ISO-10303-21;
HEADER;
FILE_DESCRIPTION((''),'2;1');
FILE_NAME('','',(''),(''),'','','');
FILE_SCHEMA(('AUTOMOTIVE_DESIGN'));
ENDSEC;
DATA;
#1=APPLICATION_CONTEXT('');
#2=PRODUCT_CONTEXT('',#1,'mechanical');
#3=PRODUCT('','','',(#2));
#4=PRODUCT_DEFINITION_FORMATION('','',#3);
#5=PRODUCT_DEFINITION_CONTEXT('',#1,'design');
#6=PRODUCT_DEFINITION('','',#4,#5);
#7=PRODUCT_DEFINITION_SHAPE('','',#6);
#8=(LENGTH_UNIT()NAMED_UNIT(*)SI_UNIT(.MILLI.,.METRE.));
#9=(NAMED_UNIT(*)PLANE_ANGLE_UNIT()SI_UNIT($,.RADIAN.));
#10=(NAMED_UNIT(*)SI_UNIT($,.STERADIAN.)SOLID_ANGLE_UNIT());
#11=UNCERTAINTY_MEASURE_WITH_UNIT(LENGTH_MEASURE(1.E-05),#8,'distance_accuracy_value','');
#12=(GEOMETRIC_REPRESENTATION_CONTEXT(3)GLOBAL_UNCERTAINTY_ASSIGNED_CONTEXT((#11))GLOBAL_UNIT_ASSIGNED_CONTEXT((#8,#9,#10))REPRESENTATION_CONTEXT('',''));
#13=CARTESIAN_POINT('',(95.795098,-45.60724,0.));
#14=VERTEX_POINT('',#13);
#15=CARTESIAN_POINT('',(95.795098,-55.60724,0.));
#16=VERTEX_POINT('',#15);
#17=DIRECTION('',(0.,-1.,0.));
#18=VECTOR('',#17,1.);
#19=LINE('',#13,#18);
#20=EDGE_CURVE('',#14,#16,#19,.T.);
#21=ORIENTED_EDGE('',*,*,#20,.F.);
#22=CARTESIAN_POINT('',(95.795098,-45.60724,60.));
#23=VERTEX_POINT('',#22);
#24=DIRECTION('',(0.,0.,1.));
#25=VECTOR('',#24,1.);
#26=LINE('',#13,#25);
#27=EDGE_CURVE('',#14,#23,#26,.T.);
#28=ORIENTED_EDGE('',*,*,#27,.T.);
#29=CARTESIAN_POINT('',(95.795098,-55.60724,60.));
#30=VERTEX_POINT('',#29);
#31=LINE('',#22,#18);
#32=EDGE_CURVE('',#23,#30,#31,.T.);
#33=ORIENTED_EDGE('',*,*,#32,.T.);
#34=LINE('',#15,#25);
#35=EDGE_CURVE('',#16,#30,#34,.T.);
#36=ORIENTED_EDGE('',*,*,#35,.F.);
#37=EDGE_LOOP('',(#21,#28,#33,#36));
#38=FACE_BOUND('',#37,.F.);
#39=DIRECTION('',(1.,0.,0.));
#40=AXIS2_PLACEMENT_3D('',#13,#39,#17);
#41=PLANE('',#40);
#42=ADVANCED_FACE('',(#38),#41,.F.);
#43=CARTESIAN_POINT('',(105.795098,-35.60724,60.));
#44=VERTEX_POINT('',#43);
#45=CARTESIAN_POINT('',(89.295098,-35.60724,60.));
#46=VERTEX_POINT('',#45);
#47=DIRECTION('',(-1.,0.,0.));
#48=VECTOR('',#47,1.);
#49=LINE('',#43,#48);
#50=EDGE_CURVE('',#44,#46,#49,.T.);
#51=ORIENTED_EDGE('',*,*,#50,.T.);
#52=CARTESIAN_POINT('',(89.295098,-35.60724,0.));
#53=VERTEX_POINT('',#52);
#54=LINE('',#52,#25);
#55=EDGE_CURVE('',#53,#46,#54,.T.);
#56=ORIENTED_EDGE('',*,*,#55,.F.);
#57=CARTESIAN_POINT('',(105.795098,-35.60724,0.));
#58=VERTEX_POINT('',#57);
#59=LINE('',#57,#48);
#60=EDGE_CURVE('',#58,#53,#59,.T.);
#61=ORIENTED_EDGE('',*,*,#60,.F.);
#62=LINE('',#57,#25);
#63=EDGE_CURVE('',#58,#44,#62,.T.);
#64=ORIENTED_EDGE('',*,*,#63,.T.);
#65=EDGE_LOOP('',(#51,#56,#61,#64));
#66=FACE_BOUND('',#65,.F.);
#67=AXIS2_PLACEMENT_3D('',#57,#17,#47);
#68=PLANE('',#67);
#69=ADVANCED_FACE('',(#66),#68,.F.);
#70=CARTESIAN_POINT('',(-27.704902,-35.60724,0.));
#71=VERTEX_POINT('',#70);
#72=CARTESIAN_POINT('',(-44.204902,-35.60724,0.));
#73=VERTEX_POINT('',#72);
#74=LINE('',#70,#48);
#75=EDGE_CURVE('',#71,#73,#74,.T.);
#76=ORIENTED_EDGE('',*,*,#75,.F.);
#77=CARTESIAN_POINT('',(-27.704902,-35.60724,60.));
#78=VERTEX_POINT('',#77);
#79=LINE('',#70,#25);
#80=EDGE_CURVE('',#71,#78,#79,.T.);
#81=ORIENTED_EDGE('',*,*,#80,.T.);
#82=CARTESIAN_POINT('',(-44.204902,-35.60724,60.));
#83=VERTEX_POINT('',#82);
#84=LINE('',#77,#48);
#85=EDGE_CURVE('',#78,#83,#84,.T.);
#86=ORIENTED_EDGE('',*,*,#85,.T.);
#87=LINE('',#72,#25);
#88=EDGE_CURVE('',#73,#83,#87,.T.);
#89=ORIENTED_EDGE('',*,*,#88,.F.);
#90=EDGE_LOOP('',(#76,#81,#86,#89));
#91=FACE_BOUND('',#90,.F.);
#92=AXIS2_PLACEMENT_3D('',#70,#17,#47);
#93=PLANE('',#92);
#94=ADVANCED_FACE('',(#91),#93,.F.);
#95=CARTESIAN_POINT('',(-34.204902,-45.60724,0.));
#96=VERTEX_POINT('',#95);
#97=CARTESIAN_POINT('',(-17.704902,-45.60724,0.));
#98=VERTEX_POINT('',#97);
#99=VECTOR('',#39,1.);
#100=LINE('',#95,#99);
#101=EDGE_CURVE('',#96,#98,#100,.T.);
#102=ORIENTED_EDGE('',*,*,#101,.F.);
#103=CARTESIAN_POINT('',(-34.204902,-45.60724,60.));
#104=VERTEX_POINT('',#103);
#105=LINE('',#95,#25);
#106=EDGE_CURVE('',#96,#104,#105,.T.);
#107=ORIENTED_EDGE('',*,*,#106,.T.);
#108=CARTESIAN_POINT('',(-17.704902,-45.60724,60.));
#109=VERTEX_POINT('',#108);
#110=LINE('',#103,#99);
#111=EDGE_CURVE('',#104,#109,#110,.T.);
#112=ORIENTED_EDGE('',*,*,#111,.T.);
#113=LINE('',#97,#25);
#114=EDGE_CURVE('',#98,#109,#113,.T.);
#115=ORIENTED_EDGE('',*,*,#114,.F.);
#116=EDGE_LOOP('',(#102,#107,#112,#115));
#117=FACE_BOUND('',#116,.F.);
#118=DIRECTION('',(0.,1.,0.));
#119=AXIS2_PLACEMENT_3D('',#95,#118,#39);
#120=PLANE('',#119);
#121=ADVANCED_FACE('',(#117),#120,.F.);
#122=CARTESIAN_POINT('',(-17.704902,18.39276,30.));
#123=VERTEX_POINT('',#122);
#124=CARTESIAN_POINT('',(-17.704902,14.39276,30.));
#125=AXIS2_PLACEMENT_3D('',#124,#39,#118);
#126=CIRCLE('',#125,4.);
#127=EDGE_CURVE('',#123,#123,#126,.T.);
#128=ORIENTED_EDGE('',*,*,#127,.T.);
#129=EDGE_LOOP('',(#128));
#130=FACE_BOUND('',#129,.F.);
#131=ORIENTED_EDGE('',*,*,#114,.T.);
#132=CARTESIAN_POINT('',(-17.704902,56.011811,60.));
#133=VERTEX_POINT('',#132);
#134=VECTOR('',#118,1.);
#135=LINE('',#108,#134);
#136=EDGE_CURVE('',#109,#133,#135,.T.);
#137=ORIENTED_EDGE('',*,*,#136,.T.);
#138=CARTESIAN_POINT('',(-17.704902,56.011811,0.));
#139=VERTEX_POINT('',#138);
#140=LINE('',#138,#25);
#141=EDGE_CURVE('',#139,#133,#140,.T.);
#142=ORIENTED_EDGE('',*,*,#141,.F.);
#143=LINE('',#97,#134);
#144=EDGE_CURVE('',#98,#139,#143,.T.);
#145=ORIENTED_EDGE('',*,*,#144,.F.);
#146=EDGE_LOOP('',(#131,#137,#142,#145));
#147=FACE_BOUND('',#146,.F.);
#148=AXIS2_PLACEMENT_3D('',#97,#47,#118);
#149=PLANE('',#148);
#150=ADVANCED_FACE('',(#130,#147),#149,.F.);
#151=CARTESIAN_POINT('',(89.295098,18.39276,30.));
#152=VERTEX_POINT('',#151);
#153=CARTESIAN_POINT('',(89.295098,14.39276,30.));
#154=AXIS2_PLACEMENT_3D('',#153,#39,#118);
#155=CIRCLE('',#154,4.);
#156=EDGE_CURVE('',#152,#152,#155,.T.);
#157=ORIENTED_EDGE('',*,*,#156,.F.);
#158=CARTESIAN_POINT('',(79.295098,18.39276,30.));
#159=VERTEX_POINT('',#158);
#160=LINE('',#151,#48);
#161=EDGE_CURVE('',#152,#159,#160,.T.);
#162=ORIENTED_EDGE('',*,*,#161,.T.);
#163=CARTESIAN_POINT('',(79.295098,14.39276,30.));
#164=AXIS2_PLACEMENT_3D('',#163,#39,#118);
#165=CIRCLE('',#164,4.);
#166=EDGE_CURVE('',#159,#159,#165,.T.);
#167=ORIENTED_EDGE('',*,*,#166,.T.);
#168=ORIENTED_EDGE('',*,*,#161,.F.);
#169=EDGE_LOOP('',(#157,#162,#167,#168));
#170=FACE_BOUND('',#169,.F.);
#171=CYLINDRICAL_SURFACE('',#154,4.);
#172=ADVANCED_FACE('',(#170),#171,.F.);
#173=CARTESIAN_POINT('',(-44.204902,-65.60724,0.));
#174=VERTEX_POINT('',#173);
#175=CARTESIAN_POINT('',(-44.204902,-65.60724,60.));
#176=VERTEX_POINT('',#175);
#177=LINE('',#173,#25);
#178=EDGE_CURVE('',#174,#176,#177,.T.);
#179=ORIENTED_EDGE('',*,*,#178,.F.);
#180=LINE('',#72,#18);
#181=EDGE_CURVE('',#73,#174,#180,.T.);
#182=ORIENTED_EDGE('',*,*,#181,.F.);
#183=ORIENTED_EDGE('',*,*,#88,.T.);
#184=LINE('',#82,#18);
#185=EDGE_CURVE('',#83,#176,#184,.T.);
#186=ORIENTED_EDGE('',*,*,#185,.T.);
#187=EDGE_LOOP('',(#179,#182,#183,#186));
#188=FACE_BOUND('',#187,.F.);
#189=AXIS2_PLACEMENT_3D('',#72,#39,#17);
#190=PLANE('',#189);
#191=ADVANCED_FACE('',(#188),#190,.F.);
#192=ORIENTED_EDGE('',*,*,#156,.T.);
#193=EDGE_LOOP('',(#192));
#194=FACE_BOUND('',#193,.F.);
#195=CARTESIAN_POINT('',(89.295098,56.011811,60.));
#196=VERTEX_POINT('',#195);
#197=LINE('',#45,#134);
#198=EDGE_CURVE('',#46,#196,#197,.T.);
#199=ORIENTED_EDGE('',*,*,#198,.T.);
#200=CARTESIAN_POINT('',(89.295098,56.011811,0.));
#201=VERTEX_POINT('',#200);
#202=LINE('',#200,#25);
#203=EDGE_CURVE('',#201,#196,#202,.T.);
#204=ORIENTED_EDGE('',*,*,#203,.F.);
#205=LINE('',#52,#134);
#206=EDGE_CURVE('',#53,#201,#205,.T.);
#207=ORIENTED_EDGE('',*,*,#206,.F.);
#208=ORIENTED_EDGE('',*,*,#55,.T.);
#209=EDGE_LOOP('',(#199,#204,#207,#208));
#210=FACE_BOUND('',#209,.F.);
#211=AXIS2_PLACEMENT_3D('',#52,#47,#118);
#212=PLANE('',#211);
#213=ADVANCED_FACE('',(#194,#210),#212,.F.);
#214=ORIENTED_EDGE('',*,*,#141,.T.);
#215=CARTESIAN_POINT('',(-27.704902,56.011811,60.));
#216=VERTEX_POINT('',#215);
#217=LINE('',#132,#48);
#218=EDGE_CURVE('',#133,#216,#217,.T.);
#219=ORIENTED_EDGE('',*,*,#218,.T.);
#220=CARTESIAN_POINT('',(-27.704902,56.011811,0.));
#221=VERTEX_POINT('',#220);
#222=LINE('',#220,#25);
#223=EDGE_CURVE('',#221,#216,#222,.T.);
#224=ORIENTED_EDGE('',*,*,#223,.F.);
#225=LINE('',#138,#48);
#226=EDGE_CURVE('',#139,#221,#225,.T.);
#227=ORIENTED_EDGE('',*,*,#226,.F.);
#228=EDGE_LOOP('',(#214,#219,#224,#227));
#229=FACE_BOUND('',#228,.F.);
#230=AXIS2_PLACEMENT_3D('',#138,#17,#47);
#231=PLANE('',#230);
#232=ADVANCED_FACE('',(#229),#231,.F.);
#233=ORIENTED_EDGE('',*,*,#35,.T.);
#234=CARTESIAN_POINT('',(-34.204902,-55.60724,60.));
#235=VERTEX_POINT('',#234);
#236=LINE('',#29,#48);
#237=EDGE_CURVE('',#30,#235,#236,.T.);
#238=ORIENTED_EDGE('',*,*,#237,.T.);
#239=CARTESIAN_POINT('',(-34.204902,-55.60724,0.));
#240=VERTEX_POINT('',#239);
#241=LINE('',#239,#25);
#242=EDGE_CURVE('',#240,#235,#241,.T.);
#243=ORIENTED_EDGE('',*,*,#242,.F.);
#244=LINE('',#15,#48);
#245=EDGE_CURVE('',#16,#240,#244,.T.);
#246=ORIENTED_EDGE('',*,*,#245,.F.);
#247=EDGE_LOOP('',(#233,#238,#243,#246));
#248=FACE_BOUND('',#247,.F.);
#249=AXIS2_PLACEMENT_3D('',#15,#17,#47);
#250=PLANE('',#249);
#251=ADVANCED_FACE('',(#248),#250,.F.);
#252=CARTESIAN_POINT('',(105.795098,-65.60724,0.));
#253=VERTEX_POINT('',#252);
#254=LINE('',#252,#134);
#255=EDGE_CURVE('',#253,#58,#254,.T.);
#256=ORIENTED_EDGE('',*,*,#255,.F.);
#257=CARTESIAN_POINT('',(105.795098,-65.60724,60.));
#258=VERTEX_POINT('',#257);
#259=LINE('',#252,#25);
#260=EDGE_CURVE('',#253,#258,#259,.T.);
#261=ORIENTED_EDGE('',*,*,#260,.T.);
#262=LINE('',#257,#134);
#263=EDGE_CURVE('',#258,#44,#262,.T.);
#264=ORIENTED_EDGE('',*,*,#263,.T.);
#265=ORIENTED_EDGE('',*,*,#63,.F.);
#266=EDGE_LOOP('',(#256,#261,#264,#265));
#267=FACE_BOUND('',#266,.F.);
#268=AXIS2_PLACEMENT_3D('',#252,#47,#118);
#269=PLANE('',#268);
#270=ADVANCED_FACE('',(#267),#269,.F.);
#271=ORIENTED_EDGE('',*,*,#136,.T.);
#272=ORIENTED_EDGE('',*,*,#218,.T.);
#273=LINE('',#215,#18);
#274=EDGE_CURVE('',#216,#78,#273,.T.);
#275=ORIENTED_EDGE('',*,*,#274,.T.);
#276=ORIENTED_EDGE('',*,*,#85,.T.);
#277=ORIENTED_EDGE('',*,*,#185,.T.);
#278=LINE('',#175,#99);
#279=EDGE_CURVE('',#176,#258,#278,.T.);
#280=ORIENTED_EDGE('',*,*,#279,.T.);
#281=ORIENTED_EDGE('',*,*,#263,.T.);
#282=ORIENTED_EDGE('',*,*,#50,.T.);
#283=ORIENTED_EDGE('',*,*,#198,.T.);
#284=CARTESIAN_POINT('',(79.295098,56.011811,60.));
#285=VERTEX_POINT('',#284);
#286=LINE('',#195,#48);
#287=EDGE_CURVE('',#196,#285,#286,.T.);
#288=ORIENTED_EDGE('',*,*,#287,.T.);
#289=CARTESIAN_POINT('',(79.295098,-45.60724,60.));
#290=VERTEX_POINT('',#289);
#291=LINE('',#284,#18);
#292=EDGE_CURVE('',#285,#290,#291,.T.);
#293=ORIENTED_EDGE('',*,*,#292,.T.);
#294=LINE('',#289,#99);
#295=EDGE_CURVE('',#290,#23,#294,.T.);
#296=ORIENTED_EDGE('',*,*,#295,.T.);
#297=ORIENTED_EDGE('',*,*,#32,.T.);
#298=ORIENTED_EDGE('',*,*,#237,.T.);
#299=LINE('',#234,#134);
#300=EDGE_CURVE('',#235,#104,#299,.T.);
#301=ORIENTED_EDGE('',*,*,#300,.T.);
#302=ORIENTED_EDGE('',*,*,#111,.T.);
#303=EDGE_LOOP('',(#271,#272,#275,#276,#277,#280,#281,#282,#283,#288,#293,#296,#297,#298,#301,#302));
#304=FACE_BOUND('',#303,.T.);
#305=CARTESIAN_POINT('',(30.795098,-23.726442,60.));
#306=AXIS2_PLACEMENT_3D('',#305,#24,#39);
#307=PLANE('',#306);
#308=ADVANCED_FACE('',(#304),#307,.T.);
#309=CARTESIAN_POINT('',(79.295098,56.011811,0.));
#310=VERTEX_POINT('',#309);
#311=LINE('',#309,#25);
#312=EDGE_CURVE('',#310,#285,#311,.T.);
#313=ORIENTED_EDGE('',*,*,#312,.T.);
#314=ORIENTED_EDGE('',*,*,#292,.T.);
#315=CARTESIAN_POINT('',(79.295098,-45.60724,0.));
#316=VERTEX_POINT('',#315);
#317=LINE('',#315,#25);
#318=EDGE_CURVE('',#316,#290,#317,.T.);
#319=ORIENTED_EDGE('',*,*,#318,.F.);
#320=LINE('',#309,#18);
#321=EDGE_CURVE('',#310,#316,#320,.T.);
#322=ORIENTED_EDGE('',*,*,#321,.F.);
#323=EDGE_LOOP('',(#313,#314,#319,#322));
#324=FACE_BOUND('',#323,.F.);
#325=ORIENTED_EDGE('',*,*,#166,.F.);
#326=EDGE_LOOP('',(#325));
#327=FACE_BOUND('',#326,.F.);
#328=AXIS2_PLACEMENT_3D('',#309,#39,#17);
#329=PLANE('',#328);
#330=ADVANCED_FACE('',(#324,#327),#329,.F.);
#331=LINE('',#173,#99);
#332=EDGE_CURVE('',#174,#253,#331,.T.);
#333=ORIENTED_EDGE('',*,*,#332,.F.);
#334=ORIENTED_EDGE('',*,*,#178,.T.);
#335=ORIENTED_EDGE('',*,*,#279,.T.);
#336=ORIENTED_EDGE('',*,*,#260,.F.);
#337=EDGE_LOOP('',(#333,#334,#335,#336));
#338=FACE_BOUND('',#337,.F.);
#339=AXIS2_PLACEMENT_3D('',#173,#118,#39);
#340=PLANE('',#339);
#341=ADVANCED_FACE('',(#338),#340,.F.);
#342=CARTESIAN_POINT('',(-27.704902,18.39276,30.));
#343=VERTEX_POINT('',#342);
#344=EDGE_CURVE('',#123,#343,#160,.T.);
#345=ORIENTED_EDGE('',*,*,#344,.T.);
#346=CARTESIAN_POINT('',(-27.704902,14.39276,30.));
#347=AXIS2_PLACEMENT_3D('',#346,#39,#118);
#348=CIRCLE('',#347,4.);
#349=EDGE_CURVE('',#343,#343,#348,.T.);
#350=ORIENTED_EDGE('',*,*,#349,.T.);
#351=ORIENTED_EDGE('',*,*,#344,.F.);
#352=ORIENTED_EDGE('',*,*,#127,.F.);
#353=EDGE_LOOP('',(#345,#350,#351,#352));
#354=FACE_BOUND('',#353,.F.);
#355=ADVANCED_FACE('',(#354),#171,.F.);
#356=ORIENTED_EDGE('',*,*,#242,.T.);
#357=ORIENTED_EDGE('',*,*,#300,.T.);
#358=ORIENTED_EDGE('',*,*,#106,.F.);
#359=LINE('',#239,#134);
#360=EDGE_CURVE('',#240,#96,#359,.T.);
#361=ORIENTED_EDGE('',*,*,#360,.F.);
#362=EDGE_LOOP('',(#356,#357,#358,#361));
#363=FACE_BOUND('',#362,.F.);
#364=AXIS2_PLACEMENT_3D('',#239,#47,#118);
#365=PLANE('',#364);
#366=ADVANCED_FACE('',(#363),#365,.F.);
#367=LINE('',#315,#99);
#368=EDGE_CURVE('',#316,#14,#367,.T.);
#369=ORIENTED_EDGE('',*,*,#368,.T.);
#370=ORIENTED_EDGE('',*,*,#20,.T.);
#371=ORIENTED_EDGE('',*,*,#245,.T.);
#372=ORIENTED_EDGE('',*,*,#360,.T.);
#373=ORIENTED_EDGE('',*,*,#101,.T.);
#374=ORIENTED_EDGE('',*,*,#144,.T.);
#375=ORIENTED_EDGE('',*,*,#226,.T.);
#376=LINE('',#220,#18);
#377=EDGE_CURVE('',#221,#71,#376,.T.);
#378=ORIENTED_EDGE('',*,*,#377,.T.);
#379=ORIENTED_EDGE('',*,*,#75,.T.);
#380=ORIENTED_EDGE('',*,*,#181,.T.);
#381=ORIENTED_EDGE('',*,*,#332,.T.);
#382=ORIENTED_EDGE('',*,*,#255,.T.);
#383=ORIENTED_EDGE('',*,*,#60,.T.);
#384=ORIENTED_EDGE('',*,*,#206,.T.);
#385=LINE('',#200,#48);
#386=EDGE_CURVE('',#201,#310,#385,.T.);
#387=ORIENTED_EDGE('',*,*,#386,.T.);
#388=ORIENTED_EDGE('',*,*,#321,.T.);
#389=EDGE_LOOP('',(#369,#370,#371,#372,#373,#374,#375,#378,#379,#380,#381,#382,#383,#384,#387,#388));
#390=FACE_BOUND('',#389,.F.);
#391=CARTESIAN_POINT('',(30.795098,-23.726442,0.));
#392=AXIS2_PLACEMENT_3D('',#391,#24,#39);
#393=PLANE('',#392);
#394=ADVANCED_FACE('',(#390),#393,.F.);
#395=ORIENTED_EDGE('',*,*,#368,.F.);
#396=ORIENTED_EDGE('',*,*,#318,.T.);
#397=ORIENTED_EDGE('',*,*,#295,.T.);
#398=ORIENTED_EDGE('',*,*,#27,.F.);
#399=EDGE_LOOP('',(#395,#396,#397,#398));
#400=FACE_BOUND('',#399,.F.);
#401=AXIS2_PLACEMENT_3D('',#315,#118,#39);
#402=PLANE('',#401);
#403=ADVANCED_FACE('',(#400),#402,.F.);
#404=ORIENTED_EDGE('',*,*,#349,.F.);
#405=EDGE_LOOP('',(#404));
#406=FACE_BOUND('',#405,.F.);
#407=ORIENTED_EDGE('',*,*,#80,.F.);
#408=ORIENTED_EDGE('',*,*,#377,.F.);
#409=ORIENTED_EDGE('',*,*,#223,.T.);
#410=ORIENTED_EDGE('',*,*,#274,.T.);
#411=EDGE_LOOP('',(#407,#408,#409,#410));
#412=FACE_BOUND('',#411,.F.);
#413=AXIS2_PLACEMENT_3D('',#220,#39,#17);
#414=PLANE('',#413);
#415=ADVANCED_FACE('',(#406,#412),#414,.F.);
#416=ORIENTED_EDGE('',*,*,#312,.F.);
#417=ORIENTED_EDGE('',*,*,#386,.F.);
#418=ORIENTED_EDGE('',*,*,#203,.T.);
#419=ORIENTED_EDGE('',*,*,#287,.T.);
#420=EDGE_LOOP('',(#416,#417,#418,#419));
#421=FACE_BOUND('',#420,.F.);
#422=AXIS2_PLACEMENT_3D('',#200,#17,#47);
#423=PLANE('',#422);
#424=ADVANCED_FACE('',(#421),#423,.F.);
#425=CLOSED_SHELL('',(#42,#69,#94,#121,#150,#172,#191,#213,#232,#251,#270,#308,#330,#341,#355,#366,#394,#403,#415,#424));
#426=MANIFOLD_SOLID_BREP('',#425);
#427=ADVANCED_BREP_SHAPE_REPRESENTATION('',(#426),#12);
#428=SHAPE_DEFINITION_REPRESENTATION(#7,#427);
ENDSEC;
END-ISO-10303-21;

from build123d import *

# Parameters (mm, degrees)
F1_DEPTH = 60
F2_R     = 4
F3_DEPTH = 154


with BuildPart() as f1:
    # F0 (on Top) → F1 (new body)
    with BuildSketch(Plane.XY):
        Polygon((-44.204902, -35.60724), (-44.204902, -65.60724), (105.795098, -65.60724), (105.795098, -35.60724), (89.295098, -35.60724), (89.295098, 56.011811), (79.295098, 56.011811), (79.295098, -45.60724), (95.795098, -45.60724), (95.795098, -55.60724), (-34.204902, -55.60724), (-34.204902, -45.60724), (-17.704902, -45.60724), (-17.704902, 56.011811), (-27.704902, 56.011811), (-27.704902, -35.60724), align=None)
    extrude(amount=F1_DEPTH)

    # F2 (on face) → F3 (cut)
    with BuildSketch(Plane.YZ.offset(89.295098)):
        with Locations((14.39276, 30)):
            Circle(F2_R)
    extrude(amount=-F3_DEPTH, mode=Mode.SUBTRACT)


solid = f1.part
